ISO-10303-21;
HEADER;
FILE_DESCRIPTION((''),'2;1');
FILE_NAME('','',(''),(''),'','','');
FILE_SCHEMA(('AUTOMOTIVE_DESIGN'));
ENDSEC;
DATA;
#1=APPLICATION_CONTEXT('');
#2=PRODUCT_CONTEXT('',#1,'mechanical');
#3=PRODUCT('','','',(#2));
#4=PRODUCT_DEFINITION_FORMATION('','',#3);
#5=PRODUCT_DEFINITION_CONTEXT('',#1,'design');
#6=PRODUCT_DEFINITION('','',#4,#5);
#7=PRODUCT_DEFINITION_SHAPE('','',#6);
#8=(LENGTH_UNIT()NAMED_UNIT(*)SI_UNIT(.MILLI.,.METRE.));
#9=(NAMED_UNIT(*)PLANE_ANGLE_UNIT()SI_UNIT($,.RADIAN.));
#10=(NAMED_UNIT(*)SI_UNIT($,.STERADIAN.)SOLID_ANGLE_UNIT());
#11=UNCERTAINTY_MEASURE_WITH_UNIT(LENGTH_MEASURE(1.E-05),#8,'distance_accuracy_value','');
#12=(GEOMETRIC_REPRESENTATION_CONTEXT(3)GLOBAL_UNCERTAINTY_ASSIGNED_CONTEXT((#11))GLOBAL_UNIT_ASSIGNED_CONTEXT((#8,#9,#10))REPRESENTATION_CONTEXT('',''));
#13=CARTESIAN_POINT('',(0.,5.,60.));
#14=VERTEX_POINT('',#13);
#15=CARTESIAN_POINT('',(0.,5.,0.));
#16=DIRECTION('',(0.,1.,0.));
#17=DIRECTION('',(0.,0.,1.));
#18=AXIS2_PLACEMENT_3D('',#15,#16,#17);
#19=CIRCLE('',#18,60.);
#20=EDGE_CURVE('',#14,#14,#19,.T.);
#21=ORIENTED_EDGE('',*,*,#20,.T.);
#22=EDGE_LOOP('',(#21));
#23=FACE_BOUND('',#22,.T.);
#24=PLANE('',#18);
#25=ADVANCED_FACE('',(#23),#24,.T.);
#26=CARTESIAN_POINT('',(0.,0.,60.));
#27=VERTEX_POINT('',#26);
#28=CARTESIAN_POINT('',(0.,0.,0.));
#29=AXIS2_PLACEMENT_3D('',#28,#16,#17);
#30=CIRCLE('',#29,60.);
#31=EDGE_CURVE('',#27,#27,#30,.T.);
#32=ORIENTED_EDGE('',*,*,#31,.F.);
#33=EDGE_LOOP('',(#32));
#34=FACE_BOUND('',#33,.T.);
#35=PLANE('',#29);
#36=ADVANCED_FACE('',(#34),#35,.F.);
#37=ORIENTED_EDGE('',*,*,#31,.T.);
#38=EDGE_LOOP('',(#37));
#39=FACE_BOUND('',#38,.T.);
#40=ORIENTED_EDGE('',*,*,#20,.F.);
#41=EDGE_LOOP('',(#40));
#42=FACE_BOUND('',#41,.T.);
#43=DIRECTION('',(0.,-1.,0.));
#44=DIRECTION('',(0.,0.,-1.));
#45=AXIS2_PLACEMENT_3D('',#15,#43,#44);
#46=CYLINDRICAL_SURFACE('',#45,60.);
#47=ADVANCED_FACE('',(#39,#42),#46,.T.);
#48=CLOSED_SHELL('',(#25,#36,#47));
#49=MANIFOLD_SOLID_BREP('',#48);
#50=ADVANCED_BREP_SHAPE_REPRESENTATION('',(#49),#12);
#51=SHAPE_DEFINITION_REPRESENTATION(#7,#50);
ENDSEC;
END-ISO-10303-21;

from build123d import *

# Parameters (mm, degrees)
SKETCH1_R           = 60
BOSS_EXTRUDE1_DEPTH = 5


with BuildPart() as part:
    # Sketch1 → Boss-Extrude1 (new body)
    with BuildSketch(Plane(origin=(0, 0, 0), x_dir=(1, 0, 0), z_dir=(0, 1, 0))):
        Circle(SKETCH1_R)
    extrude(amount=BOSS_EXTRUDE1_DEPTH)


solid = part.part
